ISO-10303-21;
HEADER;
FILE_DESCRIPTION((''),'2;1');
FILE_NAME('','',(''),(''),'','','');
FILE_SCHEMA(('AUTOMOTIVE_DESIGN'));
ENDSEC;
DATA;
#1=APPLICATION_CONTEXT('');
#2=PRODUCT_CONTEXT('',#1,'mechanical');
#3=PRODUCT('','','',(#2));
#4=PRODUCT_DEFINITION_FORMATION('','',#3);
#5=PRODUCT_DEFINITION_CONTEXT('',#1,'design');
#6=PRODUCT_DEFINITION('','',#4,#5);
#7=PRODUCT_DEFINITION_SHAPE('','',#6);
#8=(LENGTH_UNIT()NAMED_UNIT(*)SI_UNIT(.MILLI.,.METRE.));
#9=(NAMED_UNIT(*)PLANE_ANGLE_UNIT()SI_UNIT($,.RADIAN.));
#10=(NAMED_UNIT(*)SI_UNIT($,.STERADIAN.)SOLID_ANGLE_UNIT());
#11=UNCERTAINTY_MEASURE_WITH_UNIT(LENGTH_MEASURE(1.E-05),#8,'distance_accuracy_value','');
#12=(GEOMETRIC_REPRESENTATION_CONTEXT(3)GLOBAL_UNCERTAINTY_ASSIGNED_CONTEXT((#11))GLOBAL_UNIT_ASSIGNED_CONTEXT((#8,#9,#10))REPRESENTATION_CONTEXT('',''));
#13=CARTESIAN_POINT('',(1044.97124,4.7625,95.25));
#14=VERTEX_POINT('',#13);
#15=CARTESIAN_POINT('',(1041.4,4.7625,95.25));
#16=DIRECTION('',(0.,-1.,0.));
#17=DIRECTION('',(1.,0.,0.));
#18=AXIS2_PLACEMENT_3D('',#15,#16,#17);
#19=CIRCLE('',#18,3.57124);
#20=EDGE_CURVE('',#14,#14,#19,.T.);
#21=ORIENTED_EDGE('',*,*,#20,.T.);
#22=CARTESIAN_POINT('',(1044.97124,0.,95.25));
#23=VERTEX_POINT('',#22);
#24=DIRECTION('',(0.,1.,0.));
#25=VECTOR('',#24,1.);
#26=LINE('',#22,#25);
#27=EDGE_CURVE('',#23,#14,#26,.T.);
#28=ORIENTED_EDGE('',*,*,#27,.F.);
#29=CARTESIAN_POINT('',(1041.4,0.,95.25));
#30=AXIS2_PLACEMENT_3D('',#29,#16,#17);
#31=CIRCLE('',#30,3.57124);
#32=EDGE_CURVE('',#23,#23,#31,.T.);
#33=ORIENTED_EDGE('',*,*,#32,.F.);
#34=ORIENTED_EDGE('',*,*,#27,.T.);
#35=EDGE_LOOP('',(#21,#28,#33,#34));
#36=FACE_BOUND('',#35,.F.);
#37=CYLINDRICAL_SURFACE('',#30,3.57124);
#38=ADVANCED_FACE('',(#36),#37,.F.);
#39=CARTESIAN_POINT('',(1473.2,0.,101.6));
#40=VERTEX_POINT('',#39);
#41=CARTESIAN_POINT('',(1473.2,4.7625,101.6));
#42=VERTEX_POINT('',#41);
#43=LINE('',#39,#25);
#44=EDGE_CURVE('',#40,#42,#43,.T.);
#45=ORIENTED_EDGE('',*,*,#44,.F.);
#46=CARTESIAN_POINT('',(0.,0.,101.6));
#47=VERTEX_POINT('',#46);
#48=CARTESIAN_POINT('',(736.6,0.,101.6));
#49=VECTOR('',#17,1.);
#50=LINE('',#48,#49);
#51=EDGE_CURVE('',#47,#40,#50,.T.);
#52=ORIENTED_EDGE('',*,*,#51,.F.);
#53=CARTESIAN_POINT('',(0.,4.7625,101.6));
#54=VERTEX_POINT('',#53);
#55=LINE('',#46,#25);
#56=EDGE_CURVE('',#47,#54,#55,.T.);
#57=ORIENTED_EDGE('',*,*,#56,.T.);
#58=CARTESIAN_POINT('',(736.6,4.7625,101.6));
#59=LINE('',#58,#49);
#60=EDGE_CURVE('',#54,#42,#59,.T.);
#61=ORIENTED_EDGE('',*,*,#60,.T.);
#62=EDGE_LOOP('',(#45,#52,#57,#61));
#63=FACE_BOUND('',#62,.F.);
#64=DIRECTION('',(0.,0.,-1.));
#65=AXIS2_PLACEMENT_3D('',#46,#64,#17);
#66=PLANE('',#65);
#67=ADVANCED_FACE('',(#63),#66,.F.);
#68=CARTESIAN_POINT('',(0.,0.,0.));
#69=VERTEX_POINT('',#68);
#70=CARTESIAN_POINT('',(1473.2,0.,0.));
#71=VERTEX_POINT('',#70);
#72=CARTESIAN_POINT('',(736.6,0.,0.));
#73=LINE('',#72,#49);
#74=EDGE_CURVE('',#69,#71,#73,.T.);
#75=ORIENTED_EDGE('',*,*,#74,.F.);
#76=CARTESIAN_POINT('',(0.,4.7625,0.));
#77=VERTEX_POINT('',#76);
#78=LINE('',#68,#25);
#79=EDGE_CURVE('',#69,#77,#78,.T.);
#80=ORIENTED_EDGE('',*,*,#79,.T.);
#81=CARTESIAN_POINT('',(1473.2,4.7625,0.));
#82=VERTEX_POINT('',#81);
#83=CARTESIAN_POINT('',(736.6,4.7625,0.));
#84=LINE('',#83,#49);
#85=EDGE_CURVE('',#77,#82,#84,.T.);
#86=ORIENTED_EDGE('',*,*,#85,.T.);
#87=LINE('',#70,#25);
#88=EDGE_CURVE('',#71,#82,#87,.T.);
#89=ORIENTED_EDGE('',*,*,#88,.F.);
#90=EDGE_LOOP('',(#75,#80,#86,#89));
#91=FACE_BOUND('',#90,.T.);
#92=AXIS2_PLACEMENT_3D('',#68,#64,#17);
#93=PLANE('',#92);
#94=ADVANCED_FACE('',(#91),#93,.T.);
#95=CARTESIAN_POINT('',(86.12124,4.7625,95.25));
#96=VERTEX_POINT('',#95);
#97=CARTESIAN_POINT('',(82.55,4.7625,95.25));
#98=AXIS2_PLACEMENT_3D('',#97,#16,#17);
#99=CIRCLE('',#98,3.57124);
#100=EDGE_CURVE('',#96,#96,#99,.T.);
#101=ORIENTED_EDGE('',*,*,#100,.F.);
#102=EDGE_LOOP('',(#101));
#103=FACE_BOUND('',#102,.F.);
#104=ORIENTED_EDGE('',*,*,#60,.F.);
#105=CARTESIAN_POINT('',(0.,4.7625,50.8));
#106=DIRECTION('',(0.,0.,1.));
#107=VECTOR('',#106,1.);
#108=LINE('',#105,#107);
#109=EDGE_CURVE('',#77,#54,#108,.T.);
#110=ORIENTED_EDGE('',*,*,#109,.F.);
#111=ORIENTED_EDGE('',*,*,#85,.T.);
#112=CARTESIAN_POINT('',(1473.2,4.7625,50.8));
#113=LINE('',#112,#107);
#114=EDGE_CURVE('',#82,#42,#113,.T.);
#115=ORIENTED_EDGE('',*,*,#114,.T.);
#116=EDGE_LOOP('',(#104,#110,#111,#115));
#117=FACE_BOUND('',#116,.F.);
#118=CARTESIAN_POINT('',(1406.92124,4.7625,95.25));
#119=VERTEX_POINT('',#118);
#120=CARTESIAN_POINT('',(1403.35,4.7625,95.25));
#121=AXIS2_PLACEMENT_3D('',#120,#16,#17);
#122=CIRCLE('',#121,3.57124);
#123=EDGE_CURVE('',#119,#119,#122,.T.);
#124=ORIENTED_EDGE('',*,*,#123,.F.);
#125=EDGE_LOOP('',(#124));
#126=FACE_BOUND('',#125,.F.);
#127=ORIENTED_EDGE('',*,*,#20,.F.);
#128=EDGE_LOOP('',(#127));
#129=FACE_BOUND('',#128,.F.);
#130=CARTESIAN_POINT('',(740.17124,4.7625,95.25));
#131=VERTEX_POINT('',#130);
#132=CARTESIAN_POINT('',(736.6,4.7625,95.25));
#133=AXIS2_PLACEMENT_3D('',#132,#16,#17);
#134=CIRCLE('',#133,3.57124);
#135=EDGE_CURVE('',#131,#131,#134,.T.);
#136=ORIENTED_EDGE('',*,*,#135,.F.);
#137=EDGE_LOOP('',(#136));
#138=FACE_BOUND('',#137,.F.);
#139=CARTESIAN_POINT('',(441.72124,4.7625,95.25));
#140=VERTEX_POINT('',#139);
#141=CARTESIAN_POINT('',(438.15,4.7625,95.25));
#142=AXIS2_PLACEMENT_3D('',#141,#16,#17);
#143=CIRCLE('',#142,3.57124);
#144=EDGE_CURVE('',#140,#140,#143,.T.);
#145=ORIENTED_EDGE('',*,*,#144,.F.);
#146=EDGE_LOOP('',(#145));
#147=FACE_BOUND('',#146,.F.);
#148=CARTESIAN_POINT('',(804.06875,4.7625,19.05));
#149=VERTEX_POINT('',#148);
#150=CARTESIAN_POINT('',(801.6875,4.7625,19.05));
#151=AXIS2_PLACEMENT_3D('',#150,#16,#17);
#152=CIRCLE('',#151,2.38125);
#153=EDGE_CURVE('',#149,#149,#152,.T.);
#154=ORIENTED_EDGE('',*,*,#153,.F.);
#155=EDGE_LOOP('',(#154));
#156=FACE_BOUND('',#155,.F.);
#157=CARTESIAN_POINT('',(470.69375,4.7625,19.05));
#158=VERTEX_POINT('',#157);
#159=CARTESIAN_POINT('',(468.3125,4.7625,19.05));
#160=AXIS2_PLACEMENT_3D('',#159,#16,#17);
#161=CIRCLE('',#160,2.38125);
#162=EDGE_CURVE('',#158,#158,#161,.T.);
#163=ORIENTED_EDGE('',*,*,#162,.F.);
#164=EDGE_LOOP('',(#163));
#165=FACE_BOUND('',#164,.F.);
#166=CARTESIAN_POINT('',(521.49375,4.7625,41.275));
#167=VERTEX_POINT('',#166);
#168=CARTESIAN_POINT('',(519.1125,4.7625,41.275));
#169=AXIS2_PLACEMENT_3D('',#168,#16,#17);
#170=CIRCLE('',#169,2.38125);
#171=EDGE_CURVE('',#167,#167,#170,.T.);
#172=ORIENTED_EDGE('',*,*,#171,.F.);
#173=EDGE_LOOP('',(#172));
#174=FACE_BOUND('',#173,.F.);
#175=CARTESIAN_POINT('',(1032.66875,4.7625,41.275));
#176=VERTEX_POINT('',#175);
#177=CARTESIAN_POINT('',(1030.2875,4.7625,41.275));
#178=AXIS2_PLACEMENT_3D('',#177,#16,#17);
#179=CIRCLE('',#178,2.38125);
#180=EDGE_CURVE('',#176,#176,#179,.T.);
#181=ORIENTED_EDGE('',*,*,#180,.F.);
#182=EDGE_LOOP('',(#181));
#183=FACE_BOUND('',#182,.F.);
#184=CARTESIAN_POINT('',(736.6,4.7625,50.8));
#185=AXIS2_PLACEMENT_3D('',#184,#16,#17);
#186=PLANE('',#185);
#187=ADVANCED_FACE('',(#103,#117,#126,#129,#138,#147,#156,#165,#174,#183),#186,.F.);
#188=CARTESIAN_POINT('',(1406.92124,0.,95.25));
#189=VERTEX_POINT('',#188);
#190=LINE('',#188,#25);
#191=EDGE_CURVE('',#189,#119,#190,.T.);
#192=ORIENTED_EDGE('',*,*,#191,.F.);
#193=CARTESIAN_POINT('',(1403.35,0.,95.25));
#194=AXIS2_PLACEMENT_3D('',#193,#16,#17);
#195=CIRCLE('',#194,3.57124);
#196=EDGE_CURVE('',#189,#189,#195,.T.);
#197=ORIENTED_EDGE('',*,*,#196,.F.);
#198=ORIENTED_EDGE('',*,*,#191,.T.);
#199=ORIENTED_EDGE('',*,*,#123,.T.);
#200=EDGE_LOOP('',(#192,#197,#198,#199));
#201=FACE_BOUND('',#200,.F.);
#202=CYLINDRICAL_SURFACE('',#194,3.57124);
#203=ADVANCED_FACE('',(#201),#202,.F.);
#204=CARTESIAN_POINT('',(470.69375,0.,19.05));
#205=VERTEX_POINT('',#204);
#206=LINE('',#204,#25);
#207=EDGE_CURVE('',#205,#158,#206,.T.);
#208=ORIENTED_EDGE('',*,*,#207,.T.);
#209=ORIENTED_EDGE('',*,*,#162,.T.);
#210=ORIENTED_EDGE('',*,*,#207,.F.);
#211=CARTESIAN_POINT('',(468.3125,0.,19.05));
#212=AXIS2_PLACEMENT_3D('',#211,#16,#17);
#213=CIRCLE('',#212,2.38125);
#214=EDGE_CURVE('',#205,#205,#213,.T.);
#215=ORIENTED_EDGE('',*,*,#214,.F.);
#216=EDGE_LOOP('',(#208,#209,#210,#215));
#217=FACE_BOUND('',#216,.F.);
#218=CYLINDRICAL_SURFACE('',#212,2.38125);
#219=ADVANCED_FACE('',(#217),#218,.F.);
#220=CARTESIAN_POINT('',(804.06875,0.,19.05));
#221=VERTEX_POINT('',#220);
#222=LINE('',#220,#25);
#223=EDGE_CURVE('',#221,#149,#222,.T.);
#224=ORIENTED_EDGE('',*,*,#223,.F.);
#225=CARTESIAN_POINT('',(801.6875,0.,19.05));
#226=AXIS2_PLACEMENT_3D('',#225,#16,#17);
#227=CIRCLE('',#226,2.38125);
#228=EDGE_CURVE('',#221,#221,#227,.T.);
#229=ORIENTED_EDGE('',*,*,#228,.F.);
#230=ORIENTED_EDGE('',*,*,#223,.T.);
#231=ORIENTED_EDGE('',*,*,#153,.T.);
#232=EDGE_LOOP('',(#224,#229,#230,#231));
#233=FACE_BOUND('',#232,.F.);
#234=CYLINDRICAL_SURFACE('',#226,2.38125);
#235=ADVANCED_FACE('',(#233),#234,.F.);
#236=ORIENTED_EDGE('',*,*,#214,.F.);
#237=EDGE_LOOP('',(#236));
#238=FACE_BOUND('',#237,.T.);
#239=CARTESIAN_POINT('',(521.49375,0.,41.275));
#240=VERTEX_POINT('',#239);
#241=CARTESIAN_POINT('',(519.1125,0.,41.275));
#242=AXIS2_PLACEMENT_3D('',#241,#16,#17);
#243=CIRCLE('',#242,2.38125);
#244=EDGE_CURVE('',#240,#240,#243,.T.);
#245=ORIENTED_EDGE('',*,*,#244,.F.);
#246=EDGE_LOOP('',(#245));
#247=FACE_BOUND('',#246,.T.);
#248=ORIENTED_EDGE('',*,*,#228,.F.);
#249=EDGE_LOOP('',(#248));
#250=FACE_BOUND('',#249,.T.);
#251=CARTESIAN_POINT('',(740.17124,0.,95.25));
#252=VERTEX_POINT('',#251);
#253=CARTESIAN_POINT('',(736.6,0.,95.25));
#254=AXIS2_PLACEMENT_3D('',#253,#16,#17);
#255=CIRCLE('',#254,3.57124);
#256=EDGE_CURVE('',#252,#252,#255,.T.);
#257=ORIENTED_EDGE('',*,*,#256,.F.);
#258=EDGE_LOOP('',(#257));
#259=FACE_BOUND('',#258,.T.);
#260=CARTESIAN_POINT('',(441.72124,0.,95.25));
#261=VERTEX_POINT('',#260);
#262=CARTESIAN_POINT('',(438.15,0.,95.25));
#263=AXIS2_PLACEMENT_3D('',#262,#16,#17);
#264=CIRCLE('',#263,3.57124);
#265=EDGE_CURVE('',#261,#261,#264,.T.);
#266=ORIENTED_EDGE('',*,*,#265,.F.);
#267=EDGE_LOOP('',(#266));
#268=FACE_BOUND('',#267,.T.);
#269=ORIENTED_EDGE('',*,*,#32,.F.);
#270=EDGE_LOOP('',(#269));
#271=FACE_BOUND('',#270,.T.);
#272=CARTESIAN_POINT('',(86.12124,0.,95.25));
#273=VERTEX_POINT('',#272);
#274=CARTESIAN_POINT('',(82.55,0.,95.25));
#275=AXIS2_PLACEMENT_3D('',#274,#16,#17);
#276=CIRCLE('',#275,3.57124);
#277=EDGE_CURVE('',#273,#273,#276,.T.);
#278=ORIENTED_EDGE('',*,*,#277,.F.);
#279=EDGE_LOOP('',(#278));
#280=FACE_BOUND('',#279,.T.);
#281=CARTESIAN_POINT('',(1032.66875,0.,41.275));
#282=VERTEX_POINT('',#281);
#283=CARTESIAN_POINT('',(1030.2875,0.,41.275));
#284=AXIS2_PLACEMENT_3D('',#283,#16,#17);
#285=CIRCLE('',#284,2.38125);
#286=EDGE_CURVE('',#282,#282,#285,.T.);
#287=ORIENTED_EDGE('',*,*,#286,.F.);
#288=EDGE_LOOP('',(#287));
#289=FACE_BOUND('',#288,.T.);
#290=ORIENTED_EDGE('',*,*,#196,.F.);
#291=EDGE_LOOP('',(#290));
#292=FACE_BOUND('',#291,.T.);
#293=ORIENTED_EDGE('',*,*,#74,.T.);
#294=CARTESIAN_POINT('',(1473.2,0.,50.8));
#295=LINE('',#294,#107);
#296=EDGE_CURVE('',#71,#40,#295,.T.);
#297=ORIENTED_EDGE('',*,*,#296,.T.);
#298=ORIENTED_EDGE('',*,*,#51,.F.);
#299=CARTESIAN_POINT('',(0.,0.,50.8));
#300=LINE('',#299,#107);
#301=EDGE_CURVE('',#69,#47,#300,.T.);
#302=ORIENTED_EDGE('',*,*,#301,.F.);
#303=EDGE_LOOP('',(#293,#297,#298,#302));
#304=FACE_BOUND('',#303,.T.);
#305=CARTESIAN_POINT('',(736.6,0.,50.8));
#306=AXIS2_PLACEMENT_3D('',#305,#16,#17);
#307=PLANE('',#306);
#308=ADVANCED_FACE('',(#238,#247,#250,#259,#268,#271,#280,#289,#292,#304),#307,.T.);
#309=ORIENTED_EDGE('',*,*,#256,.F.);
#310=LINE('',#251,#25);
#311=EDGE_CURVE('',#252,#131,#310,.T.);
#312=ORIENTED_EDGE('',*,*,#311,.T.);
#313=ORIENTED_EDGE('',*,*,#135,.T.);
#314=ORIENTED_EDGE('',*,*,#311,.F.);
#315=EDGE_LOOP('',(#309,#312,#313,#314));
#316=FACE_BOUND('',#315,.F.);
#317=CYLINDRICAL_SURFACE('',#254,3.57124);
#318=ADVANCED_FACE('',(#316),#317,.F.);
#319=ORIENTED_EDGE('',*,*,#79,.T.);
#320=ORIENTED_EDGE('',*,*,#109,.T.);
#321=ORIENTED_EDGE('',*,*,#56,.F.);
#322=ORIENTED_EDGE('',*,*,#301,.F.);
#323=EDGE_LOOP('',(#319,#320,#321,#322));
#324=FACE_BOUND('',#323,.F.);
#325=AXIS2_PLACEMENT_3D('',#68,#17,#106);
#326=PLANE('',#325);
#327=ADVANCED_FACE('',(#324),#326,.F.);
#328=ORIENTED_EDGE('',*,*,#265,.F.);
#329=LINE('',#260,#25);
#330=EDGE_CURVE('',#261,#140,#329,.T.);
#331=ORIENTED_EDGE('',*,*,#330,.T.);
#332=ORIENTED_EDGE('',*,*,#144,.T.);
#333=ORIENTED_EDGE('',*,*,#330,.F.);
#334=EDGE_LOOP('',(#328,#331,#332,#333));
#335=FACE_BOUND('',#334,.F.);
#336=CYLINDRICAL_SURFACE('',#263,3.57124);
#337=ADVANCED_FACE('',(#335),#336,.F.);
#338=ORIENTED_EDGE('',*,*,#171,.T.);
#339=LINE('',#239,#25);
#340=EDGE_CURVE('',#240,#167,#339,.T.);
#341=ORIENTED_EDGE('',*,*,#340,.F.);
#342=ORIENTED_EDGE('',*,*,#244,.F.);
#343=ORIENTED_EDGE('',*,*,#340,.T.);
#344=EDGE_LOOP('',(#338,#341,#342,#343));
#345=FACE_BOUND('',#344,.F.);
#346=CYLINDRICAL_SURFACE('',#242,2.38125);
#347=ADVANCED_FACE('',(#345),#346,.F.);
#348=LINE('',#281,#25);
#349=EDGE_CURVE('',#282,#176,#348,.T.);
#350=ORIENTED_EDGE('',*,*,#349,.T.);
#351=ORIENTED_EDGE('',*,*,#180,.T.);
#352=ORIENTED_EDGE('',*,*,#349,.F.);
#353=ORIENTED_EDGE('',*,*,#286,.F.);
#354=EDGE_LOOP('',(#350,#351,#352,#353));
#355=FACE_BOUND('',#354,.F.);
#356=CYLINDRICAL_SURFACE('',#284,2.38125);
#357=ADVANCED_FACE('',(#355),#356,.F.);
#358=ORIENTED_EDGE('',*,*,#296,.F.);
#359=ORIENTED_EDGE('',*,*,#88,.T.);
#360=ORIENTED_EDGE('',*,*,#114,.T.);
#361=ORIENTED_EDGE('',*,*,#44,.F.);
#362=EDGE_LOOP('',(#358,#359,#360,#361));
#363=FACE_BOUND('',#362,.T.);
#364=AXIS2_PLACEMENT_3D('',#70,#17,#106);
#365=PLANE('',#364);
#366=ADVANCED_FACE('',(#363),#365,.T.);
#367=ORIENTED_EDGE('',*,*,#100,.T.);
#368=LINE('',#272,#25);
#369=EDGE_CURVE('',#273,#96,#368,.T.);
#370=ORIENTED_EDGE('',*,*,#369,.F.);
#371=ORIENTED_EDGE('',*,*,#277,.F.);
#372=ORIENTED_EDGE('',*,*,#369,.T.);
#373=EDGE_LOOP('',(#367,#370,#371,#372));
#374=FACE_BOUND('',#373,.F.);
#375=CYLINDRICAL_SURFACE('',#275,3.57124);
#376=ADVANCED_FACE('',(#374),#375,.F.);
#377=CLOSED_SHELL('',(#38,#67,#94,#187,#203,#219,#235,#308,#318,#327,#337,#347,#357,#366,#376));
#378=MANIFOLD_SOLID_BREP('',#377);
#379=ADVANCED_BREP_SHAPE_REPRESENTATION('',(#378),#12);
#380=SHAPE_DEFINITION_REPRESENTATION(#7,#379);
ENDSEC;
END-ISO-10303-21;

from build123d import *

# Parameters (mm, degrees)
F0_W     = 1473.2
F0_H     = 101.6
F1_DEPTH = 4.7625
F2_R     = 3.57124
F3_DEPTH = 4.7635
F4_R     = 2.38125
F5_DEPTH = 4.7635
F6_R     = 2.38125
F7_DEPTH = 4.7635


with BuildPart() as f1:
    # F0 (on Front) → F1 (new body)
    with BuildSketch(Plane.XZ):
        with Locations((736.6, 50.8)):
            Rectangle(F0_W, F0_H)
    extrude(amount=-F1_DEPTH)

    # F2 (on face) → F3 (cut, through all)
    with BuildSketch(Plane.XZ):
        with Locations((82.55, 95.25)):
            Circle(F2_R)
        with Locations((438.15, 95.25)):
            Circle(F2_R)
        with Locations((736.6, 95.25)):
            Circle(F2_R)
        with Locations((1041.4, 95.25)):
            Circle(F2_R)
        with Locations((1403.35, 95.25)):
            Circle(F2_R)
    extrude(amount=-F3_DEPTH, mode=Mode.SUBTRACT)

    # F4 (on face) → F5 (cut, through all)
    with BuildSketch(Plane.XZ):
        with Locations((519.1125, 41.275)):
            Circle(F4_R)
        with Locations((1030.2875, 41.275)):
            Circle(F4_R)
    extrude(amount=-F5_DEPTH, mode=Mode.SUBTRACT)

    # F6 (on face) → F7 (cut, through all)
    with BuildSketch(Plane.XZ):
        with Locations((468.3125, 19.05)):
            Circle(F6_R)
        with Locations((801.6875, 19.05)):
            Circle(F6_R)
    extrude(amount=-F7_DEPTH, mode=Mode.SUBTRACT)


solid = f1.part
